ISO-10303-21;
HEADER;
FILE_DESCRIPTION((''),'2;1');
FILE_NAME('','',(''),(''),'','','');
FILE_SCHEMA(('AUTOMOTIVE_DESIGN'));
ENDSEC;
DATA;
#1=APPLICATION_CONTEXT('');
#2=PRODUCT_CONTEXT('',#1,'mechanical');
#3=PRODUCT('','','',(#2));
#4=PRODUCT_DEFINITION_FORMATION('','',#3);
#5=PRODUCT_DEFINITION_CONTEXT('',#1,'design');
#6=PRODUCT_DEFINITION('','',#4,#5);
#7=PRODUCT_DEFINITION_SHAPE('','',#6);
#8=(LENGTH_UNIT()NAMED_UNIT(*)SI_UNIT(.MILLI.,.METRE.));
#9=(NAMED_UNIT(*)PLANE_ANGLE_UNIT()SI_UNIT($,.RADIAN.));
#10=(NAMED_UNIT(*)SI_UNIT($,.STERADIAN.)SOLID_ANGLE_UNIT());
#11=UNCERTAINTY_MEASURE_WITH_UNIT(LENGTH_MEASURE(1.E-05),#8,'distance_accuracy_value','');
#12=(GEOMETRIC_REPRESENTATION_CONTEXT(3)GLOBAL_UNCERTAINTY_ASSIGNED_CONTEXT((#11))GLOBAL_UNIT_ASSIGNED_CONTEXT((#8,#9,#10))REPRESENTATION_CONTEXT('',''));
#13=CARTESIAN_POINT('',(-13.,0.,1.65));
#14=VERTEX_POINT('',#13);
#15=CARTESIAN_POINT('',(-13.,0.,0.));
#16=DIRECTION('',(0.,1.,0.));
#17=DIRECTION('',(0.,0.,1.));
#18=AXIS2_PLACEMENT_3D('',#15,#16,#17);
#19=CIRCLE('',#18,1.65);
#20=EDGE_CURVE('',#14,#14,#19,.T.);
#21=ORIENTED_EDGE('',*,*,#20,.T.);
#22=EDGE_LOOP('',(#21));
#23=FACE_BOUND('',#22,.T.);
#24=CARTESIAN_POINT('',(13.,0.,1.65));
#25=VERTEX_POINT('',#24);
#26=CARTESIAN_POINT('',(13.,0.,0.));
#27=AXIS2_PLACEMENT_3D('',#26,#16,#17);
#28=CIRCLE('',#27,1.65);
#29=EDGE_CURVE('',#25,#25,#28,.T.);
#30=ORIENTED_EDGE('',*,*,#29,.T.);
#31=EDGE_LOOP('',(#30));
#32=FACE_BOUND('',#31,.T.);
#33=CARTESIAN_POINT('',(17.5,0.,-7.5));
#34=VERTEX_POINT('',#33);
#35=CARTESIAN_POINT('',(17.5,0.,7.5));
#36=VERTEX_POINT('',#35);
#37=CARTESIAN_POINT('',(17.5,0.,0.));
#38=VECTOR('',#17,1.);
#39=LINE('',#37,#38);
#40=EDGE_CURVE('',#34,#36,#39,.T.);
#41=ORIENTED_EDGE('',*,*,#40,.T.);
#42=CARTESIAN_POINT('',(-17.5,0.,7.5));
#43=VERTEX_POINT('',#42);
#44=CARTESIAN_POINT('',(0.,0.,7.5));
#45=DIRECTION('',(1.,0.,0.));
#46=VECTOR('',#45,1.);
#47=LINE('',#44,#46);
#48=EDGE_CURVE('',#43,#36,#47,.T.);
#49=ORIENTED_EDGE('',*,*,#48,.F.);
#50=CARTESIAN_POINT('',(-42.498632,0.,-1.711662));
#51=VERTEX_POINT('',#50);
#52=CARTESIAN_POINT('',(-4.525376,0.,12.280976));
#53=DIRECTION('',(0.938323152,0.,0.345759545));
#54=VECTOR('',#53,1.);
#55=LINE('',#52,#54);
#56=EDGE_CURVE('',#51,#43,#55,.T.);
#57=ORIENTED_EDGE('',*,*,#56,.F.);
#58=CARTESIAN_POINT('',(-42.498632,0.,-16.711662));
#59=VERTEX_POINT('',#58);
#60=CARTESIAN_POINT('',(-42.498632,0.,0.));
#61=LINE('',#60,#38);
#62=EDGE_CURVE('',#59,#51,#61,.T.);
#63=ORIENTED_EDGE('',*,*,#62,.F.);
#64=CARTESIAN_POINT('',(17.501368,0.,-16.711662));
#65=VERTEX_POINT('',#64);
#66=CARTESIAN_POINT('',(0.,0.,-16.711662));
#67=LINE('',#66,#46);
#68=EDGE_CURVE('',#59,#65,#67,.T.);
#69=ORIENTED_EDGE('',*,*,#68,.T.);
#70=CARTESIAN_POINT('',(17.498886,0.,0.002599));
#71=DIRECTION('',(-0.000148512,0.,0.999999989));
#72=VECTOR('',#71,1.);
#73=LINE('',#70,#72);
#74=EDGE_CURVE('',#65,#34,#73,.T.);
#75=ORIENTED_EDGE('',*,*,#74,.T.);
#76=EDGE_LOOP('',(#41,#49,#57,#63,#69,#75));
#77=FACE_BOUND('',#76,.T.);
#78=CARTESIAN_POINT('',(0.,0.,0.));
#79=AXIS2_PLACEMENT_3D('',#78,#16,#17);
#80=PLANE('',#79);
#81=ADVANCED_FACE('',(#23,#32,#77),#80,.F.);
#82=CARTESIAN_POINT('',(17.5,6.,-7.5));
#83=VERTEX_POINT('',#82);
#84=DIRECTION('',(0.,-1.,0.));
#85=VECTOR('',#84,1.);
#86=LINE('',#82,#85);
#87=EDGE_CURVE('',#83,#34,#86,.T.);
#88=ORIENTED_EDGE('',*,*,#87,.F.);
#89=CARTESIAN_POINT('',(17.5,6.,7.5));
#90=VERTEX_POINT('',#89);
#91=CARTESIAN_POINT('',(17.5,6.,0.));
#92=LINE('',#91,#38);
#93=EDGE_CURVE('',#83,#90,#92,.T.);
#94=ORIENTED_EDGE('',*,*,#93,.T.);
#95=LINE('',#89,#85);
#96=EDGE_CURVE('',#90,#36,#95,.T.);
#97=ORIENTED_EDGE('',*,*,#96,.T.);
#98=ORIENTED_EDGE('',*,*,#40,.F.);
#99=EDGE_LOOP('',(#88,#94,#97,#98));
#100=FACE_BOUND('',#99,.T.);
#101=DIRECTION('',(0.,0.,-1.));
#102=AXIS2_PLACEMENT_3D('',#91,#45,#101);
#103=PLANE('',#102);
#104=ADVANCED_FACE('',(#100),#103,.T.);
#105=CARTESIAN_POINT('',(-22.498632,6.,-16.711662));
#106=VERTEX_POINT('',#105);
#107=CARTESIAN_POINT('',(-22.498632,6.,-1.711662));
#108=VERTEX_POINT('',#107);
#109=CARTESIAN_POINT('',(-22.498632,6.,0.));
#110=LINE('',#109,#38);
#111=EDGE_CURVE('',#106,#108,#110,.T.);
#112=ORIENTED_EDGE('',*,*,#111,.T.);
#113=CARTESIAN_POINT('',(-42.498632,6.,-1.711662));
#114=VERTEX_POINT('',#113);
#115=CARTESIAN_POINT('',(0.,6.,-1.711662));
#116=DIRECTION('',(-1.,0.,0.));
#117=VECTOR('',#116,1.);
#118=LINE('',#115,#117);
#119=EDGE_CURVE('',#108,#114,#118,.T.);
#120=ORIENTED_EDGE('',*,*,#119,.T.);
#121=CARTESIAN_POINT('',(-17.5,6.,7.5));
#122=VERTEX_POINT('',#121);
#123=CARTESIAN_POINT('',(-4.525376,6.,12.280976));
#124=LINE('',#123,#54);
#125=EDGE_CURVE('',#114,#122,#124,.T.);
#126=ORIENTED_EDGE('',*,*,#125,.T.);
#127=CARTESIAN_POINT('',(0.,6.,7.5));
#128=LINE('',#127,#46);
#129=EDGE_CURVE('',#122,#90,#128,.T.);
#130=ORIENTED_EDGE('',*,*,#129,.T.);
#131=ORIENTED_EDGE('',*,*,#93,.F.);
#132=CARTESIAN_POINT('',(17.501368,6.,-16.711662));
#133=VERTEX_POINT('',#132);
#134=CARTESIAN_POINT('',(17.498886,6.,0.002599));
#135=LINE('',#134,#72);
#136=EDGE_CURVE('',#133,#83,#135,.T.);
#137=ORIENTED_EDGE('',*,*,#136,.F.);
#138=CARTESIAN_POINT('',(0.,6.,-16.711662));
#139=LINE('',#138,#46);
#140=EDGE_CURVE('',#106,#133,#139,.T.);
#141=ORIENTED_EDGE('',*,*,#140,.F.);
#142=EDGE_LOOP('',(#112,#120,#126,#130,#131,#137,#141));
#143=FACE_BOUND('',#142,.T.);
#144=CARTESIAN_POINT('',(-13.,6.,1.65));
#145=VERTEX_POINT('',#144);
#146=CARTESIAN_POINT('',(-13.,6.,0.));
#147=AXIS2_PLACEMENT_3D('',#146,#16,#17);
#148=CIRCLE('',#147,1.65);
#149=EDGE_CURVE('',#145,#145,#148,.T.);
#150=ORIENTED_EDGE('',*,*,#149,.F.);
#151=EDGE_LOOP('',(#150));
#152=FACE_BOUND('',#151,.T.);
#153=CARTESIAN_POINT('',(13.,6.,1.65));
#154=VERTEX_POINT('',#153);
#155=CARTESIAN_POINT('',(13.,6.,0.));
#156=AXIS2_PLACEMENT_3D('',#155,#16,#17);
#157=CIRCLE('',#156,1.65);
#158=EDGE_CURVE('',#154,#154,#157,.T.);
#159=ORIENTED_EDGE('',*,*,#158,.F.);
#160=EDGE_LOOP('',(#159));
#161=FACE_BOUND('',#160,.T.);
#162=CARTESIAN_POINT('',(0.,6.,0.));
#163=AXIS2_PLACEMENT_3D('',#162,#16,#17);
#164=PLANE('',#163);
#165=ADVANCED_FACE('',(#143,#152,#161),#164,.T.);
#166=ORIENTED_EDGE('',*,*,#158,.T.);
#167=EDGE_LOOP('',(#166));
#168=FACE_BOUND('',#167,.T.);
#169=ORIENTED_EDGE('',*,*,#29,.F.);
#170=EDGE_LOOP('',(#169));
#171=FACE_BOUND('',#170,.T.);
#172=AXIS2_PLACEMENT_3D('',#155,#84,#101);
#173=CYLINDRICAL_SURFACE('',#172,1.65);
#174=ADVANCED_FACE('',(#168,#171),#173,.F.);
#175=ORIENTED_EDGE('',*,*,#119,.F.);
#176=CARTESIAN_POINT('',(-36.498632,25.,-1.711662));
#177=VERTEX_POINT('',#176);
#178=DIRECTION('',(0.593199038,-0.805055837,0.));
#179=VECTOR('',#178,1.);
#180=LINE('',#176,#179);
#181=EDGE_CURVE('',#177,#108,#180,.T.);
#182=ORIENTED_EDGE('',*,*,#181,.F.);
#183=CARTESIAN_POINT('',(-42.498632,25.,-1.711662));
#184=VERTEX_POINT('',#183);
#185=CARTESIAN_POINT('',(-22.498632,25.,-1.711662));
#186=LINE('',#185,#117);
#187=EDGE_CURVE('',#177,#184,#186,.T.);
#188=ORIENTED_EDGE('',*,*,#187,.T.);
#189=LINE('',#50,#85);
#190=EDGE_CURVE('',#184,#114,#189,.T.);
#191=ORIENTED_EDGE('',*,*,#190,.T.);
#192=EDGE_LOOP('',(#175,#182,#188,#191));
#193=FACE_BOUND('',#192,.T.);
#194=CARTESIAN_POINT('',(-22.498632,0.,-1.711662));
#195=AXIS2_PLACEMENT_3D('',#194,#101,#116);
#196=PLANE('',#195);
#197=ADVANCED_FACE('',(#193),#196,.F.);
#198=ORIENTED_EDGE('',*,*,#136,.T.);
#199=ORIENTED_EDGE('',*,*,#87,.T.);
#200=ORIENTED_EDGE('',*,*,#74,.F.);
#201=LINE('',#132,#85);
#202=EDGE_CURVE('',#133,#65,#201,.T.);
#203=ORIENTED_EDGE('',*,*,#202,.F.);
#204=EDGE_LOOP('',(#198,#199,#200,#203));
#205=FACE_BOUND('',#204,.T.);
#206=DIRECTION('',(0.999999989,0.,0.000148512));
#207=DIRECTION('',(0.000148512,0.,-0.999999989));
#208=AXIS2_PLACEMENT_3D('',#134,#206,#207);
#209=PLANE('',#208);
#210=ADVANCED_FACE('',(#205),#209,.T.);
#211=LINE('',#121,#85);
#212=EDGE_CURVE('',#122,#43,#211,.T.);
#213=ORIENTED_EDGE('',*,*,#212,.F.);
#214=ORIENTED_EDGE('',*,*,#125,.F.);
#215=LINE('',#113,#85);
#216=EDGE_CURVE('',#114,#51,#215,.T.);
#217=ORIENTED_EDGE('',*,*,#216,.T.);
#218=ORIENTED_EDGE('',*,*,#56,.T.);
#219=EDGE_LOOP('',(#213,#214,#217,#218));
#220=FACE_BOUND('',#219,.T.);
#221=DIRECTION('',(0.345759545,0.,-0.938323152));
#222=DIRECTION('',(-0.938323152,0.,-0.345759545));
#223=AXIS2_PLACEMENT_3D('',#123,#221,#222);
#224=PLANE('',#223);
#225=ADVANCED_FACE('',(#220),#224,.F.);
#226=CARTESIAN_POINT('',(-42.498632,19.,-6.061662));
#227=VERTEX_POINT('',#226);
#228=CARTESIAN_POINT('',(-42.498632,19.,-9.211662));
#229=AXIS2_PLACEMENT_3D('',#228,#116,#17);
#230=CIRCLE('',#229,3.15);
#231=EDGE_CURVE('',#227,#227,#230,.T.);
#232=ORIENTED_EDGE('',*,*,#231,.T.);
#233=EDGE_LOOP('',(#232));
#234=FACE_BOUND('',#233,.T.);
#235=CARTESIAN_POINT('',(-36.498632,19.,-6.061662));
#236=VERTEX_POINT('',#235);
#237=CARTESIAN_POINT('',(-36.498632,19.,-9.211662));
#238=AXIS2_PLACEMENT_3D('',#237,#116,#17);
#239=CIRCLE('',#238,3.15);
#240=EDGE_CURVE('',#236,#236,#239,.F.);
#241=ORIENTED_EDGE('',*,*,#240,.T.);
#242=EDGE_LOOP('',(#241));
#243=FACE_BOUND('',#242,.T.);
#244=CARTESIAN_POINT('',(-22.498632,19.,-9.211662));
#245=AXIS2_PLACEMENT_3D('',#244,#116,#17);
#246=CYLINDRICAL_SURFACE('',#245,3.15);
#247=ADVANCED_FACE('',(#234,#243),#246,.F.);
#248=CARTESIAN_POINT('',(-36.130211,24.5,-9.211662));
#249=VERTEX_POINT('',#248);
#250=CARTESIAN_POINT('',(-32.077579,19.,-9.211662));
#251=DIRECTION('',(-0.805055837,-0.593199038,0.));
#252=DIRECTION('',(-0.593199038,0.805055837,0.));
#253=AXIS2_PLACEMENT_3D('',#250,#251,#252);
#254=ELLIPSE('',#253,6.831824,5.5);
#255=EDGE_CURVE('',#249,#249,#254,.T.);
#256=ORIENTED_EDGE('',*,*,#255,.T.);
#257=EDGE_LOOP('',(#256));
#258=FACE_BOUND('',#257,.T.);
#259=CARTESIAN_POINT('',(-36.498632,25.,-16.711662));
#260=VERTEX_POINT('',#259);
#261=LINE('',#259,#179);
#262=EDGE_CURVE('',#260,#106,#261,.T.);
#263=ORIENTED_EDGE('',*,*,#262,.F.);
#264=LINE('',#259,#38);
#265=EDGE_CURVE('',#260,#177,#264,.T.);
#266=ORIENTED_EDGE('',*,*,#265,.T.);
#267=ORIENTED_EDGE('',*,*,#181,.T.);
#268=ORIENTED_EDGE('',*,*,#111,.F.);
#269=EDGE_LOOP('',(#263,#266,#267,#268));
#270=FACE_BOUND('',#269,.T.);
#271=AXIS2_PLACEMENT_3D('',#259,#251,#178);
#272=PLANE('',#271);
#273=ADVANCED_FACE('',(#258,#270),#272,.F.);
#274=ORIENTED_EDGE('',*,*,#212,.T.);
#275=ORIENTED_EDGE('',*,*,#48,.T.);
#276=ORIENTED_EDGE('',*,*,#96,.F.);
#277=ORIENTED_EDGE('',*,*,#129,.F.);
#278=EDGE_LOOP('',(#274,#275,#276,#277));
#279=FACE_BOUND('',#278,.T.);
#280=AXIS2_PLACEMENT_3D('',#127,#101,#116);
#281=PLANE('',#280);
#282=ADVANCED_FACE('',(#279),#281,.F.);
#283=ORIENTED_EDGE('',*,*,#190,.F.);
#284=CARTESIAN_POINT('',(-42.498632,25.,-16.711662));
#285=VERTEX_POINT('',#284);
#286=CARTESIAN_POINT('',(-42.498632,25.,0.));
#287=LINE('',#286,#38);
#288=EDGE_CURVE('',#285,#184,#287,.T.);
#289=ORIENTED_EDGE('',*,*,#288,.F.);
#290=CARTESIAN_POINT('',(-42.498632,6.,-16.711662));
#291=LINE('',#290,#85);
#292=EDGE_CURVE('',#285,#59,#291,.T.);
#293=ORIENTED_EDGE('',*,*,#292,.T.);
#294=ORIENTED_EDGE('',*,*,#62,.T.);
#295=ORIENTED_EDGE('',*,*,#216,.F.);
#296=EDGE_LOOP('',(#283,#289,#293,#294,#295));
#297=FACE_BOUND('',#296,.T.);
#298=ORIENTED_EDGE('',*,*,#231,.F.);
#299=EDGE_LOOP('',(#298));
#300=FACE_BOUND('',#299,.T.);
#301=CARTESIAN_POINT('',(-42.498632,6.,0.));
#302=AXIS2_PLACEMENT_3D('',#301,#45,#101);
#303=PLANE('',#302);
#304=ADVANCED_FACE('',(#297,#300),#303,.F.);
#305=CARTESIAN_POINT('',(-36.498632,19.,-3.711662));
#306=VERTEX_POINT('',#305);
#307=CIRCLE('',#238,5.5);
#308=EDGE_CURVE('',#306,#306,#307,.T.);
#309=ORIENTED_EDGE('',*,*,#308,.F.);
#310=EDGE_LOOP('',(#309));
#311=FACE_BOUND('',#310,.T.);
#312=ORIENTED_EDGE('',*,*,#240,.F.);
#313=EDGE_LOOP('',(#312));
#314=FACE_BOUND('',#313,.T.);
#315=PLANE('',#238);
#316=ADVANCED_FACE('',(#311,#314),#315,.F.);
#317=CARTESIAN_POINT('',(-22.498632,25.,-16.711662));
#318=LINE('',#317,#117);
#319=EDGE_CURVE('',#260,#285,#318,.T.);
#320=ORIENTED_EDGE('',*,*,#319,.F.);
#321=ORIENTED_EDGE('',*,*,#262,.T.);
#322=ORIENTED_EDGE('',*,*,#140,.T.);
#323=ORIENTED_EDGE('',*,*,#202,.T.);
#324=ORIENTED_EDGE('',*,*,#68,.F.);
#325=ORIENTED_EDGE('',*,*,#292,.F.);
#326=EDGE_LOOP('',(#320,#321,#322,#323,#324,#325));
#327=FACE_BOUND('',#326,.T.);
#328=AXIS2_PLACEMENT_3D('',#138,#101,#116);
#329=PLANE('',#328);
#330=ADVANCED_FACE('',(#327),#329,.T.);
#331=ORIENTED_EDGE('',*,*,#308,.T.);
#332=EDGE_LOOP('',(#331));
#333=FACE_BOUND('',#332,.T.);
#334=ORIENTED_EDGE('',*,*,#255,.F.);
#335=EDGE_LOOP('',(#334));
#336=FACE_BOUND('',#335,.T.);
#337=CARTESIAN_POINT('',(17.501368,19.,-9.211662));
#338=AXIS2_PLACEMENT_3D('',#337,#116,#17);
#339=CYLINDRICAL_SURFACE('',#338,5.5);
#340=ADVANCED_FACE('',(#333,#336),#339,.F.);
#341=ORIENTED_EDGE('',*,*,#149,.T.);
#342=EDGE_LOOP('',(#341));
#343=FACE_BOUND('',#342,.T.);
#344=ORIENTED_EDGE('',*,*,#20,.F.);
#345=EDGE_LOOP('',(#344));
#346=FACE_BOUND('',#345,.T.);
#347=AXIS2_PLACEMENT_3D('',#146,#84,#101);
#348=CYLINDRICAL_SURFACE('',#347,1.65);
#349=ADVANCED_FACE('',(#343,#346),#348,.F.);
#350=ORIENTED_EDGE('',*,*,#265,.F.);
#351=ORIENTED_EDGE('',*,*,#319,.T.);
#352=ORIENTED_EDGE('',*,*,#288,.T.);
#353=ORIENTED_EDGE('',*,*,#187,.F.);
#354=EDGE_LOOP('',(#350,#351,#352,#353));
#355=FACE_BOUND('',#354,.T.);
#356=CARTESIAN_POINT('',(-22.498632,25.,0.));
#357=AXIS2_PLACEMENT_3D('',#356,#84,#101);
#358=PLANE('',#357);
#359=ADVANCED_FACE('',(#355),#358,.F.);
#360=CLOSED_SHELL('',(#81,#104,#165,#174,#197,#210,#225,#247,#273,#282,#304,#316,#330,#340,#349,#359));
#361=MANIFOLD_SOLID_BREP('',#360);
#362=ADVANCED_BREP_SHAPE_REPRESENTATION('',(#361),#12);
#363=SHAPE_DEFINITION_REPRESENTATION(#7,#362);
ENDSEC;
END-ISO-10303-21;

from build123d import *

# Parameters (mm, degrees)
SKETCH1_R           = 1.65
BOSS_EXTRUDE1_DEPTH = 6
SKETCH2_W           = 15
SKETCH2_H           = 25
SKETCH2_R           = 3.15
BOSS_EXTRUDE2_DEPTH = 20
CUT_EXTRUDE1_DEPTH  = 52.537692211
SKETCH5_R           = 5.5
CUT_EXTRUDE2_DEPTH  = 62.80841078


with BuildPart() as part:
    # Sketch1 → Boss-Extrude1 (new body)
    with BuildSketch(Plane(origin=(0, 0, 0), x_dir=(1, 0, 0), z_dir=(0, 1, 0))):
        Polygon((-17.5, -7.5), (17.5, -7.5), (17.5, 7.5), (17.50136804, 16.71166189), (-42.49863196, 16.71166189), (-42.49863196, 1.71166189), align=None)
        with Locations(Location((-13, 0, 0), (0, 0, 270))):
            Circle(SKETCH1_R, mode=Mode.SUBTRACT)
        with Locations(Location((13, 0, 0), (0, 0, 270))):
            Circle(SKETCH1_R, mode=Mode.SUBTRACT)
    extrude(amount=BOSS_EXTRUDE1_DEPTH)

    # Sketch2 → Boss-Extrude2 (add)
    with BuildSketch(Plane.ZY.offset(42.49863196)):
        with Locations((-9.21166189, 12.5)):
            Rectangle(SKETCH2_W, SKETCH2_H)
        with Locations((-9.21166189, 19)):
            Circle(SKETCH2_R, mode=Mode.SUBTRACT)
    extrude(amount=-BOSS_EXTRUDE2_DEPTH)

    # Sketch4 → Cut-Extrude1 (cut, through all)
    with BuildSketch(Plane.XY.offset(-1.71166189)):
        Polygon((-36.49863196, 25), (-22.49863196, 6), (-22.49863196, 25), align=None)
    extrude(amount=-CUT_EXTRUDE1_DEPTH, mode=Mode.SUBTRACT)

    # Sketch5 → Cut-Extrude2 (cut, through all)
    with BuildSketch(Plane.ZY.offset(36.49863196)):
        with Locations((-9.21166189, 19)):
            Circle(SKETCH5_R)
    extrude(amount=-CUT_EXTRUDE2_DEPTH, mode=Mode.SUBTRACT)


solid = part.part
